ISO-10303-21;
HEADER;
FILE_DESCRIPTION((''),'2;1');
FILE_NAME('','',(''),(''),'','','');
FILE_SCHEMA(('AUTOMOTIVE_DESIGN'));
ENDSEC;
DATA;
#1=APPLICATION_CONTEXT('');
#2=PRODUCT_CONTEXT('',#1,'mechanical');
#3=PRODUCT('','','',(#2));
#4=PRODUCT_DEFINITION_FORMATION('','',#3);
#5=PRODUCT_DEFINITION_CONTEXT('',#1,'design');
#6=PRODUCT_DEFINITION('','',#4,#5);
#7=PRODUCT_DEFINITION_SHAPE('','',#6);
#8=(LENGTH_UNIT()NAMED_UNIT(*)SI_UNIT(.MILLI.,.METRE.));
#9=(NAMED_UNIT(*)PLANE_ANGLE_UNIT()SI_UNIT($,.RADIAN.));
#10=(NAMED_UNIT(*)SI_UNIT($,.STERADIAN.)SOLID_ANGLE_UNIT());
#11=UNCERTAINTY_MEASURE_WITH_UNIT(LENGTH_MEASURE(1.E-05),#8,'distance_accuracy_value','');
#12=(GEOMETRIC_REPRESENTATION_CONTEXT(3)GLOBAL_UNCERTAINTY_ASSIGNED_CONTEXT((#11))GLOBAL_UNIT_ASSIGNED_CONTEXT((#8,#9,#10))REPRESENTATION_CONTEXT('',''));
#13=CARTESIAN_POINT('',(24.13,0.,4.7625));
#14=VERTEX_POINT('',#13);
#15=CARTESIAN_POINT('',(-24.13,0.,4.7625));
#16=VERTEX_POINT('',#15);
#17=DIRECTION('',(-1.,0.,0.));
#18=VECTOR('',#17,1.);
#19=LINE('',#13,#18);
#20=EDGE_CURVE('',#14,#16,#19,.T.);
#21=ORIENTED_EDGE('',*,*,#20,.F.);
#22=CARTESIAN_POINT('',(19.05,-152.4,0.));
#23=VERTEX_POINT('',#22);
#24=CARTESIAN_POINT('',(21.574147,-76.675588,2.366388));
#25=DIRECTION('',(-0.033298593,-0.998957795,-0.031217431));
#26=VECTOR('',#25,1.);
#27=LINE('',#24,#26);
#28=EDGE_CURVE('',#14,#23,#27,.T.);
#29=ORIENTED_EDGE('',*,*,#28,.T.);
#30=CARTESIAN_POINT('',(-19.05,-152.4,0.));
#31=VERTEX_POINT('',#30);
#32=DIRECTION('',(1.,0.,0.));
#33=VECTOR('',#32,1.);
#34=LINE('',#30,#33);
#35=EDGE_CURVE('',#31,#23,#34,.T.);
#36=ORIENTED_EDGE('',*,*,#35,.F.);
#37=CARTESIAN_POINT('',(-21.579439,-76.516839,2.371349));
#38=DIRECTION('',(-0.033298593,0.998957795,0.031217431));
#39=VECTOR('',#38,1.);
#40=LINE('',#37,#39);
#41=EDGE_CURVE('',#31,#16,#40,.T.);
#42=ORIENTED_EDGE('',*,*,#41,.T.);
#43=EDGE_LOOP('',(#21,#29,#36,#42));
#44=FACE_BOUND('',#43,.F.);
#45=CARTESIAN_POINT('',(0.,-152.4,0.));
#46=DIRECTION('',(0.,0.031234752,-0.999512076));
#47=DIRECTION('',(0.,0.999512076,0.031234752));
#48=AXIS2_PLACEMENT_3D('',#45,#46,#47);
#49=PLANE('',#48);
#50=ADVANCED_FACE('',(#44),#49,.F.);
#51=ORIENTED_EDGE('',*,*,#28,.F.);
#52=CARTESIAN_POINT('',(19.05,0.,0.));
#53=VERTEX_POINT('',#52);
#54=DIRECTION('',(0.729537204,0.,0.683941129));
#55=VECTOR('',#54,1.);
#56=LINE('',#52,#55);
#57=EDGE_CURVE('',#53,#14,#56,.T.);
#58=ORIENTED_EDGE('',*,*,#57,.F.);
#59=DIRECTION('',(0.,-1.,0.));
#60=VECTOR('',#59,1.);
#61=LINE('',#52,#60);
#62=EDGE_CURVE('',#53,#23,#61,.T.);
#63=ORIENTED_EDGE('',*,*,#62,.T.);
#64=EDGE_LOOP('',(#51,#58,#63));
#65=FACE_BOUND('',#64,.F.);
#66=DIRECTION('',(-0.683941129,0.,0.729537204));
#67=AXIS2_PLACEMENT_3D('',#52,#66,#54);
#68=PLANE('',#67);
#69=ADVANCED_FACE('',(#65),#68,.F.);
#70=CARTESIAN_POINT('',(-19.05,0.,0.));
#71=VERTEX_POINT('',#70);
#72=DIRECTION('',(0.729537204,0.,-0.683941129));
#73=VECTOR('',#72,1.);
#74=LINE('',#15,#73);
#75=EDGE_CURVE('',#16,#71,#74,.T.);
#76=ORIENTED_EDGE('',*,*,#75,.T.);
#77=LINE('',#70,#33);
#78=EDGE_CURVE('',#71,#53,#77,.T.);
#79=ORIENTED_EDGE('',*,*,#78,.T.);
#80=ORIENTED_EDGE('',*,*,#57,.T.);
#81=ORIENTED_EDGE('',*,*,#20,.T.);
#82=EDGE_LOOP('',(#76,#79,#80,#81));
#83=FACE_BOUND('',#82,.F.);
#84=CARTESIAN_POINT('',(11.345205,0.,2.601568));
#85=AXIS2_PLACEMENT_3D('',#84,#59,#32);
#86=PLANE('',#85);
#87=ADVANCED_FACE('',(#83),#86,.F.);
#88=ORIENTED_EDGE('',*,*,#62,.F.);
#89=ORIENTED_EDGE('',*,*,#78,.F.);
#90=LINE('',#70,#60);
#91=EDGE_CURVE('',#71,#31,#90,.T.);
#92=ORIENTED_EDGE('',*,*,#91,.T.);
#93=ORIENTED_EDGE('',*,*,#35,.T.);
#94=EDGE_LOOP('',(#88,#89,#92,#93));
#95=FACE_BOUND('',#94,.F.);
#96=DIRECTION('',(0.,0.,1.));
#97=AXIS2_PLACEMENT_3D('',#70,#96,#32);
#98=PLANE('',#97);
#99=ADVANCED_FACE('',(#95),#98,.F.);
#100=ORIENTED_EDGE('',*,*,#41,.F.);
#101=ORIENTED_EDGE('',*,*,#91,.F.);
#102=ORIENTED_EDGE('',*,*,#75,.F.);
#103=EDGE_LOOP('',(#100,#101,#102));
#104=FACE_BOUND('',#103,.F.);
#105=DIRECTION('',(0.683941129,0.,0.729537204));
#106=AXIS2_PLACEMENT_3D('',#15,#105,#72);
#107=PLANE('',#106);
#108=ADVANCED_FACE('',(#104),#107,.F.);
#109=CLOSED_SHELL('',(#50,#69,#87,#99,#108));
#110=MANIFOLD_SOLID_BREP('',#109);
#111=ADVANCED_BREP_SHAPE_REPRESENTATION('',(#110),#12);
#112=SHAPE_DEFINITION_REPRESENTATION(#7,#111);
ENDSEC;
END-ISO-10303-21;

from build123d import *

# Parameters (mm, degrees)
F1_DEPTH = 152.4
F3_DEPTH = 25.4


with BuildPart() as f1:
    # F0 (on Front) → F1 (new body)
    with BuildSketch(Plane.XZ):
        Polygon((0, 4.7625), (0, 0), (19.05, 0), (24.13, 4.7625), (19.05, 4.7625), align=None)
        Polygon((-19.05, 0), (0, 0), (0, 4.7625), (-19.05, 4.7625), (-24.13, 4.7625), align=None)
    extrude(amount=F1_DEPTH)

    # F2 (on Right) → F3 (cut, symmetric)
    with BuildSketch(Plane.YZ):
        Polygon((-152.4, 0), (0, 4.7625), (-152.4, 4.7625), align=None)
    extrude(amount=F3_DEPTH, both=True, mode=Mode.SUBTRACT)


solid = f1.part
